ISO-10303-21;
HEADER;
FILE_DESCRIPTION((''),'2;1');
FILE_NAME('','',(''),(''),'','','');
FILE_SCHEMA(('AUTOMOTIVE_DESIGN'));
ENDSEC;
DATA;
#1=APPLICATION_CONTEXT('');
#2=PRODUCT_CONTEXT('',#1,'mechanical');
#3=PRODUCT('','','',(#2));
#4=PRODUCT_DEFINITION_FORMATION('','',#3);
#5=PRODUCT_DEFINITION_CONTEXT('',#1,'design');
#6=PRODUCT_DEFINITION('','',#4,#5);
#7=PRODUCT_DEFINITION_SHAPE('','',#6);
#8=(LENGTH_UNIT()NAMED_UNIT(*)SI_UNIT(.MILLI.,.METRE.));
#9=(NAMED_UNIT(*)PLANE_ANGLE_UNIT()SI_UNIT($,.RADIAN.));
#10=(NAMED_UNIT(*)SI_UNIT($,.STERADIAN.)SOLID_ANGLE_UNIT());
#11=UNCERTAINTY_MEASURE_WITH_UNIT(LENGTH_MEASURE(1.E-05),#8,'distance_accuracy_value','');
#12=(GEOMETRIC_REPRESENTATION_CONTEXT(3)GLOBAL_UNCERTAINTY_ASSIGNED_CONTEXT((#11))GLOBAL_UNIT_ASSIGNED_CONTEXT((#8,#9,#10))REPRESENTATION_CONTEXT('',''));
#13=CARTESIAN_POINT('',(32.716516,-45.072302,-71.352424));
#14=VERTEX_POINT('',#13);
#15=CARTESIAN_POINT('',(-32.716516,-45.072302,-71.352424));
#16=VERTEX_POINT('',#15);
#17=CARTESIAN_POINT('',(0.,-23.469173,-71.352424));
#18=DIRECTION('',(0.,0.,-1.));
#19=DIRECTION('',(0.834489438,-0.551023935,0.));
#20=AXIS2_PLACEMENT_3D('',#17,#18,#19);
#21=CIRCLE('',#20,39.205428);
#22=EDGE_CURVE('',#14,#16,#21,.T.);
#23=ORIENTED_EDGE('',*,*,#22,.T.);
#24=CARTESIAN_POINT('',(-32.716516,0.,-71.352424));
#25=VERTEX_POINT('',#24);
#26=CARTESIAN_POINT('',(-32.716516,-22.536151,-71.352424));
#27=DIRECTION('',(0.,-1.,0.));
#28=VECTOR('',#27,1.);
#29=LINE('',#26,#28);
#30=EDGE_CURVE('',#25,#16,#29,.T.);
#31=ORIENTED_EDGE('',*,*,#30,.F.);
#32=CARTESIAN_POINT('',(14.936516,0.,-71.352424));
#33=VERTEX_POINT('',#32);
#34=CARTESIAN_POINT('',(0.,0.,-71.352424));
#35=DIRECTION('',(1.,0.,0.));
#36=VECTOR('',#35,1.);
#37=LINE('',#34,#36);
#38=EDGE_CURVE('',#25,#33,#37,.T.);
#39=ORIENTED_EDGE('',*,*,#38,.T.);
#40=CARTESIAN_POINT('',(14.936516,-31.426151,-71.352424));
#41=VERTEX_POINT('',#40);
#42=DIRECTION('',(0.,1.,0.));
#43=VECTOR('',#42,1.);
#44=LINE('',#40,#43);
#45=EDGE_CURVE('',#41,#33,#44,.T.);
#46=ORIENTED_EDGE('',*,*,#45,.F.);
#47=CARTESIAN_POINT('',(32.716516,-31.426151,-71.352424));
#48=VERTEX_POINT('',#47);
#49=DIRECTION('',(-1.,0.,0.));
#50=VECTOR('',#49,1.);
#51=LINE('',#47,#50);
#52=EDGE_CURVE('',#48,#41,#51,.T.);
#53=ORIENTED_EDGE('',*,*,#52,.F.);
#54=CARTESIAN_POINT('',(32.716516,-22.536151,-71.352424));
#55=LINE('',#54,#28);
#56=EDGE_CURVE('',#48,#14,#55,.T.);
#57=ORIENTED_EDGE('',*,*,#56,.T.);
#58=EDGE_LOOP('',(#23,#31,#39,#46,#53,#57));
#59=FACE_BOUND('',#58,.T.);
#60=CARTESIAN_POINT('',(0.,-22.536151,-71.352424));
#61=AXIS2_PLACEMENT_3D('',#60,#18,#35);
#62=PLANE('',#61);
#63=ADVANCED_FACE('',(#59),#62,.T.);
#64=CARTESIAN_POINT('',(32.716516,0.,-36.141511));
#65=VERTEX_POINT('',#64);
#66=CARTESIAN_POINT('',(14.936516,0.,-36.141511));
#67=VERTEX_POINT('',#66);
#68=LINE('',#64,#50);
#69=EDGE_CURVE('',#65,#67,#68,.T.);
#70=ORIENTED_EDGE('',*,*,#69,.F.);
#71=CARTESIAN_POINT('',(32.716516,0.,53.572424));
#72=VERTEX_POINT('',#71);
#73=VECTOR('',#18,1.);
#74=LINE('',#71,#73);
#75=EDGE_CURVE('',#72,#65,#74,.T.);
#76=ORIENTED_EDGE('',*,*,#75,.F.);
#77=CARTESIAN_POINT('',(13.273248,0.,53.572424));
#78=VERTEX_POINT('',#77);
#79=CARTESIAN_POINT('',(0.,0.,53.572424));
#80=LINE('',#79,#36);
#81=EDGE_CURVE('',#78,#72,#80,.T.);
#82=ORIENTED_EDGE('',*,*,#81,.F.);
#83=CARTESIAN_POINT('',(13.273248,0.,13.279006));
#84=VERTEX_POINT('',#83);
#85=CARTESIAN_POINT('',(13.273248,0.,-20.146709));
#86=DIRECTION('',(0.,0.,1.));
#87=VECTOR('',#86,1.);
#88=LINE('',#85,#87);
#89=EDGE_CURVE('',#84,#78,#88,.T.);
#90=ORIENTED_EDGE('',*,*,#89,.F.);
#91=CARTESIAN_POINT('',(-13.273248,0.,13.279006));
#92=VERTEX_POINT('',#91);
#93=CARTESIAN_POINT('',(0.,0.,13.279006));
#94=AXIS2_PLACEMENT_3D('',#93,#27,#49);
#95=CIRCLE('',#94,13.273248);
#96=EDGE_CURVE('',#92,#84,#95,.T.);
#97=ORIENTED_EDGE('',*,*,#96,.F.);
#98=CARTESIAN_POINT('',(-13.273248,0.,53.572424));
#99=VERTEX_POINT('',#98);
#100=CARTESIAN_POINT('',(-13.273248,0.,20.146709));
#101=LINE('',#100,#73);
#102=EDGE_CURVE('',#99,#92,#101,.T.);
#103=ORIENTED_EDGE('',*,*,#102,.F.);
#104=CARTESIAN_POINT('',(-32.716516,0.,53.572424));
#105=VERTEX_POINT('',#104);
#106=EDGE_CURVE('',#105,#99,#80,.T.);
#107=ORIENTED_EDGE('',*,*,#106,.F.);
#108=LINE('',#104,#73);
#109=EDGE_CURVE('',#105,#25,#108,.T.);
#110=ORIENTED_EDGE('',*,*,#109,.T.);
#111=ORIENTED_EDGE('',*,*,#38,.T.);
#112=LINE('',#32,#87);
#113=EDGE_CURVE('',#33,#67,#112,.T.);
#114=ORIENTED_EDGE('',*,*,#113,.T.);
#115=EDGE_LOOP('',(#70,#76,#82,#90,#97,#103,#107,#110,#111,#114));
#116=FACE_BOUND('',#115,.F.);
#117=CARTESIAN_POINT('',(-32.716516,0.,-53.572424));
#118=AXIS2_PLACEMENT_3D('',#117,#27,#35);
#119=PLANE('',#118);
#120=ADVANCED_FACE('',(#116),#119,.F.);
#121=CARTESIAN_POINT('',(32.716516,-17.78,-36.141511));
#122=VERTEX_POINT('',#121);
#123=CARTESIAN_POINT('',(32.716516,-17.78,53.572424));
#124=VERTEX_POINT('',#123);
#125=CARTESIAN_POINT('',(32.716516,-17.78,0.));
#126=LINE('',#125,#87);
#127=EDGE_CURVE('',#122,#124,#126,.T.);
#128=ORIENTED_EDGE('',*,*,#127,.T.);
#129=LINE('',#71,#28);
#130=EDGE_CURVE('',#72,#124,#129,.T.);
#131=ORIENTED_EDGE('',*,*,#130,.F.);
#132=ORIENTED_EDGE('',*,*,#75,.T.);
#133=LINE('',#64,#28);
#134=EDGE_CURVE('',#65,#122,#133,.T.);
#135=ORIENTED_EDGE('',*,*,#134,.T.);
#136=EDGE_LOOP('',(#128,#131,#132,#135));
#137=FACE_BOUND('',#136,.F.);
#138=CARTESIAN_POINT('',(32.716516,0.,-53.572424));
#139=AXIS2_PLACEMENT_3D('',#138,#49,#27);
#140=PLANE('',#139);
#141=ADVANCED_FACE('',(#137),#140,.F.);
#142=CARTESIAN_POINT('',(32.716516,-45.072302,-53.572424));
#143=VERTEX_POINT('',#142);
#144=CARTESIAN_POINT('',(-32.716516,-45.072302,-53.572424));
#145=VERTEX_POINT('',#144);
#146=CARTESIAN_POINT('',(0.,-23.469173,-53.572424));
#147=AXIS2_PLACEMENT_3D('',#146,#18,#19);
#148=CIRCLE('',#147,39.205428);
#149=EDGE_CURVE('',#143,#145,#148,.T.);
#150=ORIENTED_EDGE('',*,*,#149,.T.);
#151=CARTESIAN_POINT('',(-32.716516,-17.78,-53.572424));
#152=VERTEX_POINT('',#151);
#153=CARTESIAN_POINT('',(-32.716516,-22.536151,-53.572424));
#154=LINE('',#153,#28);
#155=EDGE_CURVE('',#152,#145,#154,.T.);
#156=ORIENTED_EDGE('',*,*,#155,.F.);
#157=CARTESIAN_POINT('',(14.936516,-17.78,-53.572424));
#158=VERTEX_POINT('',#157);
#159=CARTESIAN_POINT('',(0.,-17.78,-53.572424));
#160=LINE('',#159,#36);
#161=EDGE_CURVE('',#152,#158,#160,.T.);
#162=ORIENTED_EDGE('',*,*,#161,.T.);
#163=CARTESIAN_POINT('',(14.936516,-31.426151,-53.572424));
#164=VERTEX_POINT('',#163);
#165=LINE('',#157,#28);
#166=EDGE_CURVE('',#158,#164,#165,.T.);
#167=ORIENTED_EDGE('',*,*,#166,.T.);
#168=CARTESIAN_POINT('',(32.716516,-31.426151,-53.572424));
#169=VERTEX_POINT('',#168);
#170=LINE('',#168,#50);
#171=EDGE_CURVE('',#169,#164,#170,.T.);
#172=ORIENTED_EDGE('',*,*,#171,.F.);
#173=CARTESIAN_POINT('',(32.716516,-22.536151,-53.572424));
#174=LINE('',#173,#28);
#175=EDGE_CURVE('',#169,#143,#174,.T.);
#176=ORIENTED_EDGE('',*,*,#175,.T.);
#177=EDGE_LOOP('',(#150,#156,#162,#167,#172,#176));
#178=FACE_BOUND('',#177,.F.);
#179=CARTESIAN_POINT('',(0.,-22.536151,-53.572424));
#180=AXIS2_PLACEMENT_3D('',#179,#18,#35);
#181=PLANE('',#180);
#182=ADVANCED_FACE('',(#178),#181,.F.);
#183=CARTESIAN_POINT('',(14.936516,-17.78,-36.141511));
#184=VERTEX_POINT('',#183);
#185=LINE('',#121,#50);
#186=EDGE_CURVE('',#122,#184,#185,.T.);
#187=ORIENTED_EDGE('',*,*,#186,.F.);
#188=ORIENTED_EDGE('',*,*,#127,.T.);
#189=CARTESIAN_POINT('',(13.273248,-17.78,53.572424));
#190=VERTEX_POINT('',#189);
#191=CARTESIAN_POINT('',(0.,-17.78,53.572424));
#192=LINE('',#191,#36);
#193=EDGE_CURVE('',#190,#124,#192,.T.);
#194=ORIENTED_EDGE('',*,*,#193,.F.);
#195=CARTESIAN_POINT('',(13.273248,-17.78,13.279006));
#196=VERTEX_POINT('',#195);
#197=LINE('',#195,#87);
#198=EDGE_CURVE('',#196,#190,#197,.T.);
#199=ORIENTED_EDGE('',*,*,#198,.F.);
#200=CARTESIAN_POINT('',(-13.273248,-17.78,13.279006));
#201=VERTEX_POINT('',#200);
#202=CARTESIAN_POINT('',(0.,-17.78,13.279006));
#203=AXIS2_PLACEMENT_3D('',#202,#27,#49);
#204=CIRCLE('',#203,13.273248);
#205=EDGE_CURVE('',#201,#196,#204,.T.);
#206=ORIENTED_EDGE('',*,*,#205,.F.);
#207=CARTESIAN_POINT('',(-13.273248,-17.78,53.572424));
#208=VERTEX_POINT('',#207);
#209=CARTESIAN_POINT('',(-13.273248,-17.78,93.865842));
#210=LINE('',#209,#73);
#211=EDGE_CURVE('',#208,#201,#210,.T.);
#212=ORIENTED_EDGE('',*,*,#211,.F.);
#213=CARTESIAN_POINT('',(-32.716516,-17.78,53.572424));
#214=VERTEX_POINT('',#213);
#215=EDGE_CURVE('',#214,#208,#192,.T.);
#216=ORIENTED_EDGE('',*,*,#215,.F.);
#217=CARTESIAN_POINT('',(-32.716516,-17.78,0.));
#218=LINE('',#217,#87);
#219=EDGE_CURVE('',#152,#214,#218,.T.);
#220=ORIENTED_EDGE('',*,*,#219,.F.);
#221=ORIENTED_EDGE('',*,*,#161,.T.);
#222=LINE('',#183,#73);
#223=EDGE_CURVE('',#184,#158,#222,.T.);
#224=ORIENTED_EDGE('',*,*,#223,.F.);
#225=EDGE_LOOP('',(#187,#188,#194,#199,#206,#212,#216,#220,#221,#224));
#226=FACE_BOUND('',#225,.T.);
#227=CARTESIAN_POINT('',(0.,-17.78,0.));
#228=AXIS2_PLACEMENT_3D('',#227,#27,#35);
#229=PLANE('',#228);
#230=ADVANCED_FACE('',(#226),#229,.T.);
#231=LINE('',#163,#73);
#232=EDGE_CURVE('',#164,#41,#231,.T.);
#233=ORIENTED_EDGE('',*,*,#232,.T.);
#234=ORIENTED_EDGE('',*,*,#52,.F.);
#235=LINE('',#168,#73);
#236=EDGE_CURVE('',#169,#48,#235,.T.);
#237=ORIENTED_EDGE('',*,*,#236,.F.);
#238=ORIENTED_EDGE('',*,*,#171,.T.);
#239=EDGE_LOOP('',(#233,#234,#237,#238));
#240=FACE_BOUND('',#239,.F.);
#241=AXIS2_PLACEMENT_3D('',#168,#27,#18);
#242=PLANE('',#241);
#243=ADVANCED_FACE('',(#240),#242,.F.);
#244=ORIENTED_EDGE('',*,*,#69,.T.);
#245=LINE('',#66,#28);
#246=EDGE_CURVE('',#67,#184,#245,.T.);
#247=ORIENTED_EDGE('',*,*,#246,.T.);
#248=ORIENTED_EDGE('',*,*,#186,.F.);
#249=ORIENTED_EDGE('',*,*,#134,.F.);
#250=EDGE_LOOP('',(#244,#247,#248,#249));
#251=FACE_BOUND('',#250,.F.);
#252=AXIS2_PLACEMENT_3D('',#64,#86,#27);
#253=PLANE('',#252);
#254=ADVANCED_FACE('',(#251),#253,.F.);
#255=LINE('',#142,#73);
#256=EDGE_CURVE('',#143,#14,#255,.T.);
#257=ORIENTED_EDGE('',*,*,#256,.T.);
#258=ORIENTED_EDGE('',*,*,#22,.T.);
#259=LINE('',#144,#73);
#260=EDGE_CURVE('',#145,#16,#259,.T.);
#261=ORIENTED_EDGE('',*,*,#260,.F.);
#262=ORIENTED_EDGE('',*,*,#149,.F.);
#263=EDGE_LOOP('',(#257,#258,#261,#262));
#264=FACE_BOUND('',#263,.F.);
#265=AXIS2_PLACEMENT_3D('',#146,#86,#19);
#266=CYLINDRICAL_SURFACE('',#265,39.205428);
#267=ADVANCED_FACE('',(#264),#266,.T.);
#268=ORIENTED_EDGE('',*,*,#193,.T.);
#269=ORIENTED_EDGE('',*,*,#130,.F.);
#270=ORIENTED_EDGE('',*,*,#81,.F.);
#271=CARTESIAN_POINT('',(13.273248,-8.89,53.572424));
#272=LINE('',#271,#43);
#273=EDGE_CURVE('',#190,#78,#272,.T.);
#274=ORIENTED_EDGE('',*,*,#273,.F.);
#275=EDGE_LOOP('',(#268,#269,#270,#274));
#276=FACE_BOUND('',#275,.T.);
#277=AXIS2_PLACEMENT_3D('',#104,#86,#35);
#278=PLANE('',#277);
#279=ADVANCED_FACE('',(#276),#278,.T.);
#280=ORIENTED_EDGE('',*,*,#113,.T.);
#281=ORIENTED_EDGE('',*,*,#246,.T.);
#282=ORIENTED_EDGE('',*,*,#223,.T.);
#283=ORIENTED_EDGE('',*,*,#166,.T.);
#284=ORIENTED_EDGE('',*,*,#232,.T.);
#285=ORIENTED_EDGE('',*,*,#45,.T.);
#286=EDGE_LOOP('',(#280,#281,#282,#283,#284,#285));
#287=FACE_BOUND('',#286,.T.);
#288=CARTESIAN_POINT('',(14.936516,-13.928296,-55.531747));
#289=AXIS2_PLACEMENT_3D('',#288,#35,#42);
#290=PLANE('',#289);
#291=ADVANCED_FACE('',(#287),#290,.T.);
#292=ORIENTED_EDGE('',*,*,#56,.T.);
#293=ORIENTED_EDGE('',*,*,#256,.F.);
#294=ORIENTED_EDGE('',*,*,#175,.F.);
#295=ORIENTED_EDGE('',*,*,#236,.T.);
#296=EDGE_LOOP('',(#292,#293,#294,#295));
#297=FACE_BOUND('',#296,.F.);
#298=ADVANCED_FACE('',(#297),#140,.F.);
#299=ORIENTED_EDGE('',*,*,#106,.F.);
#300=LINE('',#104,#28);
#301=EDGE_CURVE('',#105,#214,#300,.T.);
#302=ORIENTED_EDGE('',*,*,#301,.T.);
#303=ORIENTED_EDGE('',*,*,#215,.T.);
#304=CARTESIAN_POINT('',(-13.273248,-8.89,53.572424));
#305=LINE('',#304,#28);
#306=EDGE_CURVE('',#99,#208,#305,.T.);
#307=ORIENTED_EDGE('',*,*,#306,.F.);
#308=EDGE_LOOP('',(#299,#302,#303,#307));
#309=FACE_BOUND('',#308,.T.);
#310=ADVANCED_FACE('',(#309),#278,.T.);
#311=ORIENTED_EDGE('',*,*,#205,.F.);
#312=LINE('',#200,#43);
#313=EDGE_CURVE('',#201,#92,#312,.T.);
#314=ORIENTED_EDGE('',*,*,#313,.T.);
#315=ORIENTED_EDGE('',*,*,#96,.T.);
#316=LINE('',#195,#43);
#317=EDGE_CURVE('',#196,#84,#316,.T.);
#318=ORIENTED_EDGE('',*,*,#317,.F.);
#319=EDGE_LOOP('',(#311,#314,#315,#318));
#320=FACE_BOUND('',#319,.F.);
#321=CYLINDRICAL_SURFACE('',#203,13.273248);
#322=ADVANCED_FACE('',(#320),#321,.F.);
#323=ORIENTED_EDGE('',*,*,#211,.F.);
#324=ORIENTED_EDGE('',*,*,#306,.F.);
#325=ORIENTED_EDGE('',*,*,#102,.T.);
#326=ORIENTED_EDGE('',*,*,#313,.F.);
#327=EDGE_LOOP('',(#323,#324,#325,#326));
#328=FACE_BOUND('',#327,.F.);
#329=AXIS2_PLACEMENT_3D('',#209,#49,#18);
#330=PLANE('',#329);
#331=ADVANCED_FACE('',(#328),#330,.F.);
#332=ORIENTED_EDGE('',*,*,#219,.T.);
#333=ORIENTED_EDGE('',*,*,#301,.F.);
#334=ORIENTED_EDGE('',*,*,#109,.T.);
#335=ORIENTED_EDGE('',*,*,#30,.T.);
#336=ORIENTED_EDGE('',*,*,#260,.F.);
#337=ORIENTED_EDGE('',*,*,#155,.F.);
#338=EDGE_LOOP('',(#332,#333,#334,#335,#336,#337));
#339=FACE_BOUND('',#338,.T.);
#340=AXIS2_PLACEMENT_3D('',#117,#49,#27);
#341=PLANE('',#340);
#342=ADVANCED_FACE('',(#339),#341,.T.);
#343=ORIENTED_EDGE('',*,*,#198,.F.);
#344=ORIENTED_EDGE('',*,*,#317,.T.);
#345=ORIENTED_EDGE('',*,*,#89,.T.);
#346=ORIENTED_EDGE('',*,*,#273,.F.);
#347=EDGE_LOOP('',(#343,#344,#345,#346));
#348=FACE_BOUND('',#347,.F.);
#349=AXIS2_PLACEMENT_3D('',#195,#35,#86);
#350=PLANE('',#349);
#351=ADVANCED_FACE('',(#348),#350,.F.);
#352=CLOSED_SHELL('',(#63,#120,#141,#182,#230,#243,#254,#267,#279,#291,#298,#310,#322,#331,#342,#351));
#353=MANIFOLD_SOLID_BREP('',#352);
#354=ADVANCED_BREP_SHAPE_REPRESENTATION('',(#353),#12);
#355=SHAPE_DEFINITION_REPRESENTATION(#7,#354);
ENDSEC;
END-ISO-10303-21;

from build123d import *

# Parameters (mm, degrees)
F0_W     = 65.433032
F0_H     = 107.144848
F1_DEPTH = 17.78
F2_W     = 65.433032
F2_H     = 45.072302
F3_DEPTH = 17.78
F5_DEPTH = 17.78
F7_DEPTH = 25.4


with BuildPart() as f1:
    # F0 (on Front) → F1 (new body)
    with BuildSketch(Plane.XZ):
        Rectangle(F0_W, F0_H)
    extrude(amount=F1_DEPTH)

    # F2 (on face) → F3 (join)
    with BuildSketch(Plane(origin=(0, 0, -53.572424), x_dir=(1, 0, 0), z_dir=(0, 0, -1))):
        with Locations((0, 22.536151)):
            Rectangle(F2_W, F2_H)
        with BuildLine():
            ThreePointArc((32.716516, 45.072302), (0, 62.674601), (-32.716516, 45.072302))
            Line((-32.716516, 45.072302), (32.716516, 45.072302))
        make_face()
    extrude(amount=F3_DEPTH)

    # F4 (on face) → F5 (cut)
    with BuildSketch(Plane.YZ.offset(32.716516)):
        Polygon((0, -71.352424), (0, -36.141511), (-17.78, -36.141511), (-17.78, -53.572424), (-31.426151, -53.572424), (-31.426151, -71.352424), align=None)
    extrude(amount=-F5_DEPTH, mode=Mode.SUBTRACT)

    # F6 (on face) → F7 (cut)
    with BuildSketch(Plane.XZ.offset(17.78)):
        with BuildLine():
            Line((13.273248, 13.279006), (13.273248, 93.865842))
            Line((13.273248, 93.865842), (-13.273248, 93.865842))
            Line((-13.273248, 93.865842), (-13.273248, 13.279006))
            ThreePointArc((-13.273248, 13.279006), (0, 0.005758), (13.273248, 13.279006))
        make_face()
    extrude(amount=-F7_DEPTH, mode=Mode.SUBTRACT)


solid = f1.part
